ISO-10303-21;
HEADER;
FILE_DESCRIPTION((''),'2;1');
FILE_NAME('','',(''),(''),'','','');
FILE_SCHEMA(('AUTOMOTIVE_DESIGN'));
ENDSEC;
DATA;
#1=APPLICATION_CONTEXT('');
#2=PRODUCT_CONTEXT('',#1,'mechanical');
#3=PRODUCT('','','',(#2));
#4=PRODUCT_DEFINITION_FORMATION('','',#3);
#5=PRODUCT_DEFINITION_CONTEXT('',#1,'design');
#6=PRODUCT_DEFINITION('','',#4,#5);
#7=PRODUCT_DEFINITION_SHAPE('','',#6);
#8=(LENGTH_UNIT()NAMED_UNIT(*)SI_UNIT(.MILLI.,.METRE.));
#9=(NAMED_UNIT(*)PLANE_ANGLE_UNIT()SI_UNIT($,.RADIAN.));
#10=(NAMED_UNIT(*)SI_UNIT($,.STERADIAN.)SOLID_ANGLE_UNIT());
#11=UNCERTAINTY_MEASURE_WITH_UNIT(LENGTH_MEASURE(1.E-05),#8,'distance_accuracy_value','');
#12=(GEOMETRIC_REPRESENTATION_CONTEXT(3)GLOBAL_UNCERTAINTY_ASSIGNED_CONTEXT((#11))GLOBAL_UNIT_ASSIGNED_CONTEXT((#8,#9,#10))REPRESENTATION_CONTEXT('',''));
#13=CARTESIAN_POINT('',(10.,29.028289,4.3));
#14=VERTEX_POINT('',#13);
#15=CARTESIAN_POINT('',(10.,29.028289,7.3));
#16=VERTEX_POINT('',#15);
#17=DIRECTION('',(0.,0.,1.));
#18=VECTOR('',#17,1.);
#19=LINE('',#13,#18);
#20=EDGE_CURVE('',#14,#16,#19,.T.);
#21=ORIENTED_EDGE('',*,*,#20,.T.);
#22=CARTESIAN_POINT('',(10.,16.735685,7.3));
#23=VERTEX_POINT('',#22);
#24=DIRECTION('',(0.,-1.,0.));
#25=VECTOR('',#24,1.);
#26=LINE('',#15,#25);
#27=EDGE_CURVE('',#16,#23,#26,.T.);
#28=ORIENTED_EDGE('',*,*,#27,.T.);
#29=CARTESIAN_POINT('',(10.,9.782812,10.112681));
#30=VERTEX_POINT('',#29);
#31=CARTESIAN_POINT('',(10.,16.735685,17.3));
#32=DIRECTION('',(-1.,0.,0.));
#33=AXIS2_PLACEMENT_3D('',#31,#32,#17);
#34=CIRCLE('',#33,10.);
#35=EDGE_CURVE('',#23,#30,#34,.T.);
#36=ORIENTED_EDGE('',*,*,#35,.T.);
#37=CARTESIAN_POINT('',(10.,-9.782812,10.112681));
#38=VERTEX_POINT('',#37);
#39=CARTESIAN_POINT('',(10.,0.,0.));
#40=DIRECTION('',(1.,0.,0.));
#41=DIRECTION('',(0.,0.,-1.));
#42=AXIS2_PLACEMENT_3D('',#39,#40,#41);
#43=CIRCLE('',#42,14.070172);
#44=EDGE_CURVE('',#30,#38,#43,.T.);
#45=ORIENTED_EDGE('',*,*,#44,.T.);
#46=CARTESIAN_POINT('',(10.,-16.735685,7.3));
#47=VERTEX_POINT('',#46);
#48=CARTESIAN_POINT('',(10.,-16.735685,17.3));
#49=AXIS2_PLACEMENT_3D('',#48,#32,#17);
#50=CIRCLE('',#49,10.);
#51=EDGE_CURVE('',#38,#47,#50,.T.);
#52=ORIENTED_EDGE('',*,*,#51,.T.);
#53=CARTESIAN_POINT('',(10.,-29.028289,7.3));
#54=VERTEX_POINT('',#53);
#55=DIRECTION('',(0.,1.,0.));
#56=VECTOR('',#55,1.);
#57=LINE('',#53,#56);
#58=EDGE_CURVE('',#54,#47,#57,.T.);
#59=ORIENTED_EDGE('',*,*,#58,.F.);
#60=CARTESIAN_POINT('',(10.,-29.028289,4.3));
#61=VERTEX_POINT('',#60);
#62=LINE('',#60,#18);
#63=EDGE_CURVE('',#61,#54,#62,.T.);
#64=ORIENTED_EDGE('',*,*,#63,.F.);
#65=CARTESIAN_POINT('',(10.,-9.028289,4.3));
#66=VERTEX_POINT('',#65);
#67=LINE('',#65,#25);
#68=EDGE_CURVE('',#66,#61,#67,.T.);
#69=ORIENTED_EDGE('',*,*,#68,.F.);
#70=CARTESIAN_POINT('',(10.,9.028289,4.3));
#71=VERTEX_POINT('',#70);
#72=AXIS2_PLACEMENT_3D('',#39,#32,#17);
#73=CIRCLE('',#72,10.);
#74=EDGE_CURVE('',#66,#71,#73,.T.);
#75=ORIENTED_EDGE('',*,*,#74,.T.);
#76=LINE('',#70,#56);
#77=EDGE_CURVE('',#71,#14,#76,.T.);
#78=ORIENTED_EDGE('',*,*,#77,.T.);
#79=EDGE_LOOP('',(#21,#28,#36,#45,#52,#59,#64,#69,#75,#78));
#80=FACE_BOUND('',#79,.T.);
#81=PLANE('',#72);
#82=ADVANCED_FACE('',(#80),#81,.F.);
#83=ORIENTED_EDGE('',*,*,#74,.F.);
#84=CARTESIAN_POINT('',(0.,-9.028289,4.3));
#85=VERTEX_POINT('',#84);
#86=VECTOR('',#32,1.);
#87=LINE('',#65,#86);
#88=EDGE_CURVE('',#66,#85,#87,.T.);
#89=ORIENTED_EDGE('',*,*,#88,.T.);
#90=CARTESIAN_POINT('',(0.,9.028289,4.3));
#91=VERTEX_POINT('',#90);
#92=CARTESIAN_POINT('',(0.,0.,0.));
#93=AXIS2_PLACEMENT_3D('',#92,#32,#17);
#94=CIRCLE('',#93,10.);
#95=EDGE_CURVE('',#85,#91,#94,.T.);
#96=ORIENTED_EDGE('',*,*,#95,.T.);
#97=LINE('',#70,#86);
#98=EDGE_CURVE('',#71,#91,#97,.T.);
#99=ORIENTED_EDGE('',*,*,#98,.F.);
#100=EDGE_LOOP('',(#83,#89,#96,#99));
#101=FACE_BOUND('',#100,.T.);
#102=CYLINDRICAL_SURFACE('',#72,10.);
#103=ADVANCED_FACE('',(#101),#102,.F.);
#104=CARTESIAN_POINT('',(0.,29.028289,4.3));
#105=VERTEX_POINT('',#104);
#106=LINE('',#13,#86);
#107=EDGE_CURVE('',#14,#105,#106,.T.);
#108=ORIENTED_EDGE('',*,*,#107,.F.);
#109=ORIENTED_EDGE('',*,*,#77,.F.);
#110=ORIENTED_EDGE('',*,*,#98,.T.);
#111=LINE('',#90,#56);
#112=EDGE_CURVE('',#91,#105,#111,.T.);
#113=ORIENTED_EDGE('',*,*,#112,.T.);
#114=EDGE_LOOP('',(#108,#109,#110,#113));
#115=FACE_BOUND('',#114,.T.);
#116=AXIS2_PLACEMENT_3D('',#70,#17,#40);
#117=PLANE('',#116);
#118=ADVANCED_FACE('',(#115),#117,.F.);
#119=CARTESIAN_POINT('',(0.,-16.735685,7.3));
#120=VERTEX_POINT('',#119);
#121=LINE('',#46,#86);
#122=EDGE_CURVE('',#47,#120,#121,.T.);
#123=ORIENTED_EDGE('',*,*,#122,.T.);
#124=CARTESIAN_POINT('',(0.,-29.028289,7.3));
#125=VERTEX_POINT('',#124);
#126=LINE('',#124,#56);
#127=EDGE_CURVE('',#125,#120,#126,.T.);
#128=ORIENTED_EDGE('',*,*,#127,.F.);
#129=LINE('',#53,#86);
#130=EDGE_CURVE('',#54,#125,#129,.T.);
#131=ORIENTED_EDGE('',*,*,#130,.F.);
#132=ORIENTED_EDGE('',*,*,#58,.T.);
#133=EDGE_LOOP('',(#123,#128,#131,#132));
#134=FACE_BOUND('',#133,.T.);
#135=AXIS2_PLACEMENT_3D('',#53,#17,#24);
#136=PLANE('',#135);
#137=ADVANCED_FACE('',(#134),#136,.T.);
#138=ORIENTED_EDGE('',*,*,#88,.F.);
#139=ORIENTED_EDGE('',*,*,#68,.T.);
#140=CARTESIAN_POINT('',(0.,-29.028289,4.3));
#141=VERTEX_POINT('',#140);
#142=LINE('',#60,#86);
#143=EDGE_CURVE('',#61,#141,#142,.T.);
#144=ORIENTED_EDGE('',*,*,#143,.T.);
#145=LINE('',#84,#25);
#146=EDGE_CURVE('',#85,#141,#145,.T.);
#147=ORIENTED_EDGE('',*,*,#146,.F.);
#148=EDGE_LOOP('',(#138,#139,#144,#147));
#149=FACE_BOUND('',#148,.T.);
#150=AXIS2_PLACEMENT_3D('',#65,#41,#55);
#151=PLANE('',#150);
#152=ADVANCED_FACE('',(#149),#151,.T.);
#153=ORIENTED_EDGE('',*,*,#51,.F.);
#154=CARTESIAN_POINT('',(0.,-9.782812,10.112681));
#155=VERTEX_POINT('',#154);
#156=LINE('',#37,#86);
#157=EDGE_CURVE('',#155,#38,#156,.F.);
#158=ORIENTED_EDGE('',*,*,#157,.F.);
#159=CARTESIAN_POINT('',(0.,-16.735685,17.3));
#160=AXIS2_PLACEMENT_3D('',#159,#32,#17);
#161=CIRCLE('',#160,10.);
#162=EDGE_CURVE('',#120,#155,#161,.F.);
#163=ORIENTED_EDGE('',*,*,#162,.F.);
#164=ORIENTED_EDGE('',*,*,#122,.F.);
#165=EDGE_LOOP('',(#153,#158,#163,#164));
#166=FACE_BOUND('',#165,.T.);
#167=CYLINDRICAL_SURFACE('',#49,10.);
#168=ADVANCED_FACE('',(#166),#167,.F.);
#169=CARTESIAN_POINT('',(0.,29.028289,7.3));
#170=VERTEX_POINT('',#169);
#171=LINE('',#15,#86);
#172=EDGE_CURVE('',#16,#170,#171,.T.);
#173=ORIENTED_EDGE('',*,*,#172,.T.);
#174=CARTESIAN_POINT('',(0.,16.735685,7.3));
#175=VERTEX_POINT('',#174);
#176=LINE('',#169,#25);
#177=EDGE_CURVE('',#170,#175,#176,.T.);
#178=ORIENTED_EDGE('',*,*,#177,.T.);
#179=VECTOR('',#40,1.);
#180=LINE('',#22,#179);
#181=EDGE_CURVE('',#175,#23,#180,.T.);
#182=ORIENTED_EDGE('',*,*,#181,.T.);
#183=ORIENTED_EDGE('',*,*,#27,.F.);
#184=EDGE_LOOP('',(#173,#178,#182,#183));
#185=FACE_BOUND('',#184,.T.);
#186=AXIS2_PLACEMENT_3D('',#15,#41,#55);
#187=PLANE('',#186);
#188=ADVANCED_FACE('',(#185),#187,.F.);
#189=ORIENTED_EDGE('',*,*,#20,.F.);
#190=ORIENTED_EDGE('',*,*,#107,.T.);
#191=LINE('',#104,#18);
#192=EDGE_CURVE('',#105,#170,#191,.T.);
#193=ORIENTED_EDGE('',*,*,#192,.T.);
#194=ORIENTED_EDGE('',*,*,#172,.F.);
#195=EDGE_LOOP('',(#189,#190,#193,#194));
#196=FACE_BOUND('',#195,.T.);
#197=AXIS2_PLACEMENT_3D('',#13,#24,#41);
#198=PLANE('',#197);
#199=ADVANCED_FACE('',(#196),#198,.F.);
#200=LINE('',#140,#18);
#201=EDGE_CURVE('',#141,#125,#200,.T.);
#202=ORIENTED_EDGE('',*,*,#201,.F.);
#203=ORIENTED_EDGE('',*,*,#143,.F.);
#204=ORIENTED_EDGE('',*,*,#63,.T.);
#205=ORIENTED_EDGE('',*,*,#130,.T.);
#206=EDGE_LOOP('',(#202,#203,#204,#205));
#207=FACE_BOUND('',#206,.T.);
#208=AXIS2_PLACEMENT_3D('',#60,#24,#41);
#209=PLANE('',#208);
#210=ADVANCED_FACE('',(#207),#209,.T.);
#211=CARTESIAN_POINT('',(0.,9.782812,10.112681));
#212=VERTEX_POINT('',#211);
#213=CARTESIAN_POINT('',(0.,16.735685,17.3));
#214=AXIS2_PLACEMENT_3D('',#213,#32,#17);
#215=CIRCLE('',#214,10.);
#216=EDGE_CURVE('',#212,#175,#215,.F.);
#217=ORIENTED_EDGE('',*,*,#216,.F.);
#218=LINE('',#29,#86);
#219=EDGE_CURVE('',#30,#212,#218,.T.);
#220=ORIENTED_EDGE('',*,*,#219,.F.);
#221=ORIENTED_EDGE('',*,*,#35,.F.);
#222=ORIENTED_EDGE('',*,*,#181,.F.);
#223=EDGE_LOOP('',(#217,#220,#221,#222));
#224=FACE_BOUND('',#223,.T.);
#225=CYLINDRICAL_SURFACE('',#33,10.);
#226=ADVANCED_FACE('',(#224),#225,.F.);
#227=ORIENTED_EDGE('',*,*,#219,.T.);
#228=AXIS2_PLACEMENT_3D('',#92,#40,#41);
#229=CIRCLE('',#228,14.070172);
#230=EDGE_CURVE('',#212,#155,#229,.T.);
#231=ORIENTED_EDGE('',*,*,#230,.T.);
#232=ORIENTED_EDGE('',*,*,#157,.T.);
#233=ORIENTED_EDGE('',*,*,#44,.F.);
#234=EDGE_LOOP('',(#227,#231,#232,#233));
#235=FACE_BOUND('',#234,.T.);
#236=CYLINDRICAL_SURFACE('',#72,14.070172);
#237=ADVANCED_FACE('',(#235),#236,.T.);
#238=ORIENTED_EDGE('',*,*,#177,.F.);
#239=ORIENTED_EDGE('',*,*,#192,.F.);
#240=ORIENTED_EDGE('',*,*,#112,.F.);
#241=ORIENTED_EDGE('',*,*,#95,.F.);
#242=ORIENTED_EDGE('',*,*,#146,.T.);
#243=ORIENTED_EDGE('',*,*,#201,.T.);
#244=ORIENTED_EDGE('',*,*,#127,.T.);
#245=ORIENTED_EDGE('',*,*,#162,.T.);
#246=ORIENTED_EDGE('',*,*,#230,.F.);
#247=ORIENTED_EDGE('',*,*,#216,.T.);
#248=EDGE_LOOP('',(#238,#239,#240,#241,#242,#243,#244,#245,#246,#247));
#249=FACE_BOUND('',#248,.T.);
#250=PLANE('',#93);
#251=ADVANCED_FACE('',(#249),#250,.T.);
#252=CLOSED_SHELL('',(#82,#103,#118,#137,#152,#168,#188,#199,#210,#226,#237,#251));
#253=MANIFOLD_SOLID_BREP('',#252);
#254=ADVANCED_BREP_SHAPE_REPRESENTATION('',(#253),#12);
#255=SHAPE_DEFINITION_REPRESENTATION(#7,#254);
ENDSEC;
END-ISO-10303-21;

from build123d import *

# Parameters (mm, degrees)
EXTRUDE_1_DEPTH = 10
FILLET_1_R      = 10


with BuildPart() as part:
    # 草图1 → 凸台-拉伸1 (new body)
    with BuildSketch(Plane(origin=(0, 0, 0), x_dir=(0, 0, -1), z_dir=(1, 0, 0))):
        with BuildLine():
            Line((-4.3, 9.028288874), (-4.3, 29.028288874))
            Line((-4.3, 29.028288874), (-7.3, 29.028288874))
            Line((-7.3, 29.028288874), (-7.3, 12.028288874))
            ThreePointArc((-7.3, 12.028288874), (-12.261361814, 6.901357817), (-14.070171756, 0))
            Line((-14.070171756, 0), (-10, 0))
            ThreePointArc((-10, 0), (-8.455767263, 5.338539126), (-4.3, 9.028288874))
        make_face()
    extrude_1 = extrude(amount=EXTRUDE_1_DEPTH)

    # 镜向1: 凸台-拉伸1 across plane
    add(extrude_1.mirror(Plane(origin=(10, 0, 14.070171756), x_dir=(0, 0, 1), z_dir=(0, 1, 0))))

    # 圆角1
    fillet_1_edges = [part.edges().sort_by_distance(p)[0] for p in [
        (5, 12.028288874, 7.3),
        (5, -12.028288874, 7.3),
    ]]
    fillet(fillet_1_edges, radius=FILLET_1_R)


solid = part.part
